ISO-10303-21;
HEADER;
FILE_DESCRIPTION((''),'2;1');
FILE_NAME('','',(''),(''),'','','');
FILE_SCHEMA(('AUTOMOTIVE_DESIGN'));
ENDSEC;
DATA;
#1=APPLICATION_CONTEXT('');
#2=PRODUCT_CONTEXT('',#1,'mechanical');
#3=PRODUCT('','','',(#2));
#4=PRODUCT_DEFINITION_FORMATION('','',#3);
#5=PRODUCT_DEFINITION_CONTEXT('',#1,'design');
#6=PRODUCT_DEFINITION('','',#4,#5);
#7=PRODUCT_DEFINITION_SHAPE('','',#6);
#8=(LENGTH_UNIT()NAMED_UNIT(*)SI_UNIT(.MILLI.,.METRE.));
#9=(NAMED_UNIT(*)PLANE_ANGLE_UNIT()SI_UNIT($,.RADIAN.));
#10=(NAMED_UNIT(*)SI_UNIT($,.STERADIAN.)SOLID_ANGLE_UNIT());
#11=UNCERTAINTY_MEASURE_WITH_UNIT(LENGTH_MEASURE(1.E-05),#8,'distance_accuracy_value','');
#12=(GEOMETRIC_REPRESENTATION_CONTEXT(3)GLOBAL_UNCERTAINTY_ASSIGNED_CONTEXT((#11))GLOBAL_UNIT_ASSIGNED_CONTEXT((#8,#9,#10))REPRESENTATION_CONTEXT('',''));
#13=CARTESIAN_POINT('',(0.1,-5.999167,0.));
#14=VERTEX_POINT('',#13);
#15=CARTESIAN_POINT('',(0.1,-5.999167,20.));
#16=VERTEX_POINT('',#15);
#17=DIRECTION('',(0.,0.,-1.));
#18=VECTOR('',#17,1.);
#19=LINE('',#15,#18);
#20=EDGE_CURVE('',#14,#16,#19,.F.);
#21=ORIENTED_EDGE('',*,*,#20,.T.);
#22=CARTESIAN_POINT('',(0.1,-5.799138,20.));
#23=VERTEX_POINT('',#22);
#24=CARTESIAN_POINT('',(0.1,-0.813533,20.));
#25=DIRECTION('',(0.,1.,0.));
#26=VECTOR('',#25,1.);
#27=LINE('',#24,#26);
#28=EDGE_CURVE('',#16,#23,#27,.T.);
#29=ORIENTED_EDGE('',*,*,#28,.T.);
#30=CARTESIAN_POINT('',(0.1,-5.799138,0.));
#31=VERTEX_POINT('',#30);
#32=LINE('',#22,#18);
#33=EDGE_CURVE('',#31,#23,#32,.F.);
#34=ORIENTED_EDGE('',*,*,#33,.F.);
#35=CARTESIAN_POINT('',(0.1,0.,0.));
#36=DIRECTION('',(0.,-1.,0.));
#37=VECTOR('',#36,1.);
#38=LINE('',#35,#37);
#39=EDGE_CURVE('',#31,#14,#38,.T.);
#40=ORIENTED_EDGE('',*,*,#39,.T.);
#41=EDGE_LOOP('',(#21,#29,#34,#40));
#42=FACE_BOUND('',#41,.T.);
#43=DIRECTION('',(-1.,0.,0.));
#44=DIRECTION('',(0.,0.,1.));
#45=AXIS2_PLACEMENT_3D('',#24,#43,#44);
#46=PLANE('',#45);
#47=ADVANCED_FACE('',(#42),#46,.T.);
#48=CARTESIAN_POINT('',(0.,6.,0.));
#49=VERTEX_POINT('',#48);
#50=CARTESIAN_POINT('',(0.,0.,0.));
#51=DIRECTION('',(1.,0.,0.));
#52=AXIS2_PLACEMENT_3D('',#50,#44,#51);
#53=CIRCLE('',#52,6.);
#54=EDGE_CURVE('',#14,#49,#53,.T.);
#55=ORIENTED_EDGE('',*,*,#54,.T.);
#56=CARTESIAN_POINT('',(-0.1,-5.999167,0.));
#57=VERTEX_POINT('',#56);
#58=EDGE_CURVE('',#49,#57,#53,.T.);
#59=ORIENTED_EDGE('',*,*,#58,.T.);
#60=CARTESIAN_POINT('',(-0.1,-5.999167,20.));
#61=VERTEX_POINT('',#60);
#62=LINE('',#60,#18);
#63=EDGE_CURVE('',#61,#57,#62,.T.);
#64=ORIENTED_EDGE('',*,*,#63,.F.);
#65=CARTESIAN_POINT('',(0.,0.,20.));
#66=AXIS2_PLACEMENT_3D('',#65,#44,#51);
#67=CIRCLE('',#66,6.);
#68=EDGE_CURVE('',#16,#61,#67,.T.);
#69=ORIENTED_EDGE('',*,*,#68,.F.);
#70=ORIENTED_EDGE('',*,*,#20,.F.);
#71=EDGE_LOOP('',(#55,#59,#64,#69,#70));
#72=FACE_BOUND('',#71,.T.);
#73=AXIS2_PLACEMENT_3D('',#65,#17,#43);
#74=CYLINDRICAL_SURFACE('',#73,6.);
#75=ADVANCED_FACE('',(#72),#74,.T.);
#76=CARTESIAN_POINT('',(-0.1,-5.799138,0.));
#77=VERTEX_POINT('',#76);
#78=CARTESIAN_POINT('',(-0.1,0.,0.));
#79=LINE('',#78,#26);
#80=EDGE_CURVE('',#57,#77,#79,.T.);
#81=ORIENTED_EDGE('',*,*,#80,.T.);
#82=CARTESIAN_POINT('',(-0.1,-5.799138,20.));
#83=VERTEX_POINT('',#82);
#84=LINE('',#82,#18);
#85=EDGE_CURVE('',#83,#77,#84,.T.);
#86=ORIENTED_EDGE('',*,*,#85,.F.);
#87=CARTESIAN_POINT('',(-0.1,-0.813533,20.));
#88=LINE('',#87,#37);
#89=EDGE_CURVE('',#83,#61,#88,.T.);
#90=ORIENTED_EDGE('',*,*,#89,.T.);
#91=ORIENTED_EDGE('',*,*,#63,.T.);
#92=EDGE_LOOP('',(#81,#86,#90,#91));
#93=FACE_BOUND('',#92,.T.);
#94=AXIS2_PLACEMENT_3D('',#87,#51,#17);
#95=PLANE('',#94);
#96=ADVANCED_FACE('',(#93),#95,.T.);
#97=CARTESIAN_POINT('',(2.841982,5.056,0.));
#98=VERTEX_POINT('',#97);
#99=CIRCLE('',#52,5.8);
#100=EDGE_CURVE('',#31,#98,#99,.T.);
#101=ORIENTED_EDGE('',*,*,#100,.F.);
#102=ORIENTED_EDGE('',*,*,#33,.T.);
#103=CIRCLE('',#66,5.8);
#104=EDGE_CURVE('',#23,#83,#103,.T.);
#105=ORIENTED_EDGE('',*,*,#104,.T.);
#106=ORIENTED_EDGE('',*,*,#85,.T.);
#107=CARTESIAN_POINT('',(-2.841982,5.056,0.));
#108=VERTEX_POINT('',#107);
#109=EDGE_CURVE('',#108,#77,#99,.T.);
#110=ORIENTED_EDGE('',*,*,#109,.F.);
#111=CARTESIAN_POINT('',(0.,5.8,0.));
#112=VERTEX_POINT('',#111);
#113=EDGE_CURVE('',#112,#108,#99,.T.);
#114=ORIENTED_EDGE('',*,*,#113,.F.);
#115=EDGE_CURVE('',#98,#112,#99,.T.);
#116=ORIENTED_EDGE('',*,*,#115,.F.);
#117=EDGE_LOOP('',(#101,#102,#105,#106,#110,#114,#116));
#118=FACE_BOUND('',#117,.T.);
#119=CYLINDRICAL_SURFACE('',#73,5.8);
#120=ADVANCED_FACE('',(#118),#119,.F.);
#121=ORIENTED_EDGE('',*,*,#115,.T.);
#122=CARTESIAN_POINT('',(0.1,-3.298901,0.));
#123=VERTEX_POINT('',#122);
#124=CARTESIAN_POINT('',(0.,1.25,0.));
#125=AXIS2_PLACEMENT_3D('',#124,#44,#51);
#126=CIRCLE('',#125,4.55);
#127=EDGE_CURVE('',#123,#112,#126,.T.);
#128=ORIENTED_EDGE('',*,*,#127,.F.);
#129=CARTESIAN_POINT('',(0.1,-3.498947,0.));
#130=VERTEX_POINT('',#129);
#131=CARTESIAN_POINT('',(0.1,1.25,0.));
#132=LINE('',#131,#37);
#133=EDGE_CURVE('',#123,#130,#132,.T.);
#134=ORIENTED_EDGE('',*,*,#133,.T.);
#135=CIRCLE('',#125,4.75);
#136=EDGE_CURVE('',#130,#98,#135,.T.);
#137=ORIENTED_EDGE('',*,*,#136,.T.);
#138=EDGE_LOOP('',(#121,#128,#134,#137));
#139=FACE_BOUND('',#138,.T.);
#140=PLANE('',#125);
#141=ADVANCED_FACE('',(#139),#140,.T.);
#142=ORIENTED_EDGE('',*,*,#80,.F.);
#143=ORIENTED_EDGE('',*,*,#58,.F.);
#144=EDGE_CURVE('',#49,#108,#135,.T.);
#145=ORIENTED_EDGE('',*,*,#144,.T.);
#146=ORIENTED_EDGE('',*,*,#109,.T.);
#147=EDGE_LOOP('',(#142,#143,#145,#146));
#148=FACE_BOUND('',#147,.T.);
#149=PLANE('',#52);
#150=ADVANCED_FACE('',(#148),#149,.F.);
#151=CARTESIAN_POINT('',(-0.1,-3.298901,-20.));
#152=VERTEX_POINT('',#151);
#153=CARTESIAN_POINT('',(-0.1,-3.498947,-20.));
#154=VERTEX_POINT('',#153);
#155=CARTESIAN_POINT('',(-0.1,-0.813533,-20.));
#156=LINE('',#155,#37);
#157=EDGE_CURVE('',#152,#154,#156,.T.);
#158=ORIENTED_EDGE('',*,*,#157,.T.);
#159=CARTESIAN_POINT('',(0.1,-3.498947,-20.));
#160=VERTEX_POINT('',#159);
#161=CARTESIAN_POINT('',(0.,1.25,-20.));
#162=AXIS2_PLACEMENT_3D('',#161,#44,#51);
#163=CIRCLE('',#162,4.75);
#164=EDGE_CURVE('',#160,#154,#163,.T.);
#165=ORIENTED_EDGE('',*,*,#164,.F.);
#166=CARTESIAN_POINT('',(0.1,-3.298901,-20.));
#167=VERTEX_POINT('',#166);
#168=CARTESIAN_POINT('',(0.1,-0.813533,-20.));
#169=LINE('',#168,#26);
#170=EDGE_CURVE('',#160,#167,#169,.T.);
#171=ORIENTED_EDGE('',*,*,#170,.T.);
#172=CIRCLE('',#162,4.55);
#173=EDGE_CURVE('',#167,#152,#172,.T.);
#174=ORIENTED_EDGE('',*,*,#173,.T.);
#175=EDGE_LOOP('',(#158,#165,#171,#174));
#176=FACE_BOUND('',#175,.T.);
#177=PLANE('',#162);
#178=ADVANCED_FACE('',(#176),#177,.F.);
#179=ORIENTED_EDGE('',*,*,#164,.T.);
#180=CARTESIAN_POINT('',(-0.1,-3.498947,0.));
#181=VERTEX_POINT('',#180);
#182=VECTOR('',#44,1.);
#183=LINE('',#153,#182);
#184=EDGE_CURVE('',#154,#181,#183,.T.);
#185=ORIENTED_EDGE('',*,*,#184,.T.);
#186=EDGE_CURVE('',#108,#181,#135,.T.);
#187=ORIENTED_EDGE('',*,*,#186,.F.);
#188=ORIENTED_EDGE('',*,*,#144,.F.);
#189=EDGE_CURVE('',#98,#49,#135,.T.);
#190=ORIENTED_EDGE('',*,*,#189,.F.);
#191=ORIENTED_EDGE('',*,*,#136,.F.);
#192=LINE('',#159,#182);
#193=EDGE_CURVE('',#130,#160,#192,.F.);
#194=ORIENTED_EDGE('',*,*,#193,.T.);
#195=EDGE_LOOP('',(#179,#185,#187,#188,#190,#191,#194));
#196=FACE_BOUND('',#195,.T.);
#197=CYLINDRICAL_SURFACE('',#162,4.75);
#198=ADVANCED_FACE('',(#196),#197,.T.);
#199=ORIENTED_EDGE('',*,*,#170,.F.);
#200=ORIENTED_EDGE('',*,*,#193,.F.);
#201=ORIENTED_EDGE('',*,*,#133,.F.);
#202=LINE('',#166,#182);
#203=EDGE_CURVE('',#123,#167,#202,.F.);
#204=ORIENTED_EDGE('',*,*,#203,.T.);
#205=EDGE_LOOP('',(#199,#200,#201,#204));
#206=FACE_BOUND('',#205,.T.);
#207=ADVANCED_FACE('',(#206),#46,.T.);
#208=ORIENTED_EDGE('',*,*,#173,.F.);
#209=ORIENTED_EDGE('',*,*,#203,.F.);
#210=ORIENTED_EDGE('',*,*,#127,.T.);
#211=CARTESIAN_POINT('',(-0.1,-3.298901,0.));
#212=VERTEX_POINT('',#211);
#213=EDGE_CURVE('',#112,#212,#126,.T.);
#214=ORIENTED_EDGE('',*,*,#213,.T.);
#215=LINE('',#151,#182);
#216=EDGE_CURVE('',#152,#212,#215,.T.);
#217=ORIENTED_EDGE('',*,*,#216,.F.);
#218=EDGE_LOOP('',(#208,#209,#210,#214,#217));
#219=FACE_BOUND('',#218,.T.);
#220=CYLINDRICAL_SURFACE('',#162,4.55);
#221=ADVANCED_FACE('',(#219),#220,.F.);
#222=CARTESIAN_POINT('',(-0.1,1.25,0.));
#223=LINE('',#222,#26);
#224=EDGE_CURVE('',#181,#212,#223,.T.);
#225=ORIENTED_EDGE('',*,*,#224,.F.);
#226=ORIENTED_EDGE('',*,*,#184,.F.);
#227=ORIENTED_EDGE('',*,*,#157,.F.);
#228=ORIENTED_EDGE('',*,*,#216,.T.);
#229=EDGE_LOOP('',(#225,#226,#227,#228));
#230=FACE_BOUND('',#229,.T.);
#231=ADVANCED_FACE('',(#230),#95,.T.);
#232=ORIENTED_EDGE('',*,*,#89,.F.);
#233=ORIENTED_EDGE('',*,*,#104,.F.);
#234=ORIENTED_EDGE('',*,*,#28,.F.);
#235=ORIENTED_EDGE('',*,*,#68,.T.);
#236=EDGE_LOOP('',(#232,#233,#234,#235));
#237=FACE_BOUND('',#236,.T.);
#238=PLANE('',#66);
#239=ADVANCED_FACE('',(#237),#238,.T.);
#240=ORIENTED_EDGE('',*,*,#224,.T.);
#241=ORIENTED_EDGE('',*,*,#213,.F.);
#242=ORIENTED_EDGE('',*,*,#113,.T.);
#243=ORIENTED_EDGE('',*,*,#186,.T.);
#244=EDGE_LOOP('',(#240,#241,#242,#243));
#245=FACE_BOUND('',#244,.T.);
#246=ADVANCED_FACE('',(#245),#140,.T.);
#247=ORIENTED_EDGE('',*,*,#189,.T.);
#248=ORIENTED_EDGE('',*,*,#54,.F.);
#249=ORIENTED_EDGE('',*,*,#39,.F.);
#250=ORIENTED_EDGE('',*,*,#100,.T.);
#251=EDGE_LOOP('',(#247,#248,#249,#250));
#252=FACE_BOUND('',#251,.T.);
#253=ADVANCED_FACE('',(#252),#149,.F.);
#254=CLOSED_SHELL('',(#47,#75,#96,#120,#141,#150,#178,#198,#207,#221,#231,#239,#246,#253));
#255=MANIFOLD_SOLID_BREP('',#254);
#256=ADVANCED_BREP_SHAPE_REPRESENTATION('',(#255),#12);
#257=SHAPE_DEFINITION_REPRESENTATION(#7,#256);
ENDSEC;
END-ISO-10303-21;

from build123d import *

# Parameters (mm, degrees)
SKIZZE1_R                            = 6
SKIZZE1_R_2                          = 5.8
AUFSATZ_LINEAR_AUSTRAGEN1_DEPTH      = 20
SKIZZE14_R                           = 4.75
SKIZZE14_R_2                         = 4.55
AUFSATZ_LINEAR_AUSTRAGEN2_DEPTH      = 20
SKIZZE13_W                           = 0.2
SKIZZE13_H                           = 6.257026497
SCHNITT_LINEAR_AUSTRAGEN3_DEPTH      = 20
SCHNITT_LINEAR_AUSTRAGEN3_DEPTH_BACK = 20


with BuildPart() as part:
    # Skizze1 → Aufsatz-Linear austragen1 (new body)
    with BuildSketch(Plane.XY):
        Circle(SKIZZE1_R)
        Circle(SKIZZE1_R_2, mode=Mode.SUBTRACT)
    extrude(amount=AUFSATZ_LINEAR_AUSTRAGEN1_DEPTH)

    # Skizze14 → Aufsatz-Linear austragen2 (add)
    with BuildSketch(Plane.XY):
        with Locations((0, 1.25)):
            Circle(SKIZZE14_R)
        with Locations((0, 1.25)):
            Circle(SKIZZE14_R_2, mode=Mode.SUBTRACT)
    extrude(amount=-AUFSATZ_LINEAR_AUSTRAGEN2_DEPTH)

    # Skizze13 → Schnitt-Linear austragen3 (cut, two sides)
    with BuildSketch(Plane.XY) as schnitt_linear_austragen3_sk:
        with Locations((0, -3.942046331)):
            Rectangle(SKIZZE13_W, SKIZZE13_H)
    extrude(amount=SCHNITT_LINEAR_AUSTRAGEN3_DEPTH, mode=Mode.SUBTRACT)
    extrude(schnitt_linear_austragen3_sk.sketch, amount=-SCHNITT_LINEAR_AUSTRAGEN3_DEPTH_BACK, mode=Mode.SUBTRACT)


solid = part.part
